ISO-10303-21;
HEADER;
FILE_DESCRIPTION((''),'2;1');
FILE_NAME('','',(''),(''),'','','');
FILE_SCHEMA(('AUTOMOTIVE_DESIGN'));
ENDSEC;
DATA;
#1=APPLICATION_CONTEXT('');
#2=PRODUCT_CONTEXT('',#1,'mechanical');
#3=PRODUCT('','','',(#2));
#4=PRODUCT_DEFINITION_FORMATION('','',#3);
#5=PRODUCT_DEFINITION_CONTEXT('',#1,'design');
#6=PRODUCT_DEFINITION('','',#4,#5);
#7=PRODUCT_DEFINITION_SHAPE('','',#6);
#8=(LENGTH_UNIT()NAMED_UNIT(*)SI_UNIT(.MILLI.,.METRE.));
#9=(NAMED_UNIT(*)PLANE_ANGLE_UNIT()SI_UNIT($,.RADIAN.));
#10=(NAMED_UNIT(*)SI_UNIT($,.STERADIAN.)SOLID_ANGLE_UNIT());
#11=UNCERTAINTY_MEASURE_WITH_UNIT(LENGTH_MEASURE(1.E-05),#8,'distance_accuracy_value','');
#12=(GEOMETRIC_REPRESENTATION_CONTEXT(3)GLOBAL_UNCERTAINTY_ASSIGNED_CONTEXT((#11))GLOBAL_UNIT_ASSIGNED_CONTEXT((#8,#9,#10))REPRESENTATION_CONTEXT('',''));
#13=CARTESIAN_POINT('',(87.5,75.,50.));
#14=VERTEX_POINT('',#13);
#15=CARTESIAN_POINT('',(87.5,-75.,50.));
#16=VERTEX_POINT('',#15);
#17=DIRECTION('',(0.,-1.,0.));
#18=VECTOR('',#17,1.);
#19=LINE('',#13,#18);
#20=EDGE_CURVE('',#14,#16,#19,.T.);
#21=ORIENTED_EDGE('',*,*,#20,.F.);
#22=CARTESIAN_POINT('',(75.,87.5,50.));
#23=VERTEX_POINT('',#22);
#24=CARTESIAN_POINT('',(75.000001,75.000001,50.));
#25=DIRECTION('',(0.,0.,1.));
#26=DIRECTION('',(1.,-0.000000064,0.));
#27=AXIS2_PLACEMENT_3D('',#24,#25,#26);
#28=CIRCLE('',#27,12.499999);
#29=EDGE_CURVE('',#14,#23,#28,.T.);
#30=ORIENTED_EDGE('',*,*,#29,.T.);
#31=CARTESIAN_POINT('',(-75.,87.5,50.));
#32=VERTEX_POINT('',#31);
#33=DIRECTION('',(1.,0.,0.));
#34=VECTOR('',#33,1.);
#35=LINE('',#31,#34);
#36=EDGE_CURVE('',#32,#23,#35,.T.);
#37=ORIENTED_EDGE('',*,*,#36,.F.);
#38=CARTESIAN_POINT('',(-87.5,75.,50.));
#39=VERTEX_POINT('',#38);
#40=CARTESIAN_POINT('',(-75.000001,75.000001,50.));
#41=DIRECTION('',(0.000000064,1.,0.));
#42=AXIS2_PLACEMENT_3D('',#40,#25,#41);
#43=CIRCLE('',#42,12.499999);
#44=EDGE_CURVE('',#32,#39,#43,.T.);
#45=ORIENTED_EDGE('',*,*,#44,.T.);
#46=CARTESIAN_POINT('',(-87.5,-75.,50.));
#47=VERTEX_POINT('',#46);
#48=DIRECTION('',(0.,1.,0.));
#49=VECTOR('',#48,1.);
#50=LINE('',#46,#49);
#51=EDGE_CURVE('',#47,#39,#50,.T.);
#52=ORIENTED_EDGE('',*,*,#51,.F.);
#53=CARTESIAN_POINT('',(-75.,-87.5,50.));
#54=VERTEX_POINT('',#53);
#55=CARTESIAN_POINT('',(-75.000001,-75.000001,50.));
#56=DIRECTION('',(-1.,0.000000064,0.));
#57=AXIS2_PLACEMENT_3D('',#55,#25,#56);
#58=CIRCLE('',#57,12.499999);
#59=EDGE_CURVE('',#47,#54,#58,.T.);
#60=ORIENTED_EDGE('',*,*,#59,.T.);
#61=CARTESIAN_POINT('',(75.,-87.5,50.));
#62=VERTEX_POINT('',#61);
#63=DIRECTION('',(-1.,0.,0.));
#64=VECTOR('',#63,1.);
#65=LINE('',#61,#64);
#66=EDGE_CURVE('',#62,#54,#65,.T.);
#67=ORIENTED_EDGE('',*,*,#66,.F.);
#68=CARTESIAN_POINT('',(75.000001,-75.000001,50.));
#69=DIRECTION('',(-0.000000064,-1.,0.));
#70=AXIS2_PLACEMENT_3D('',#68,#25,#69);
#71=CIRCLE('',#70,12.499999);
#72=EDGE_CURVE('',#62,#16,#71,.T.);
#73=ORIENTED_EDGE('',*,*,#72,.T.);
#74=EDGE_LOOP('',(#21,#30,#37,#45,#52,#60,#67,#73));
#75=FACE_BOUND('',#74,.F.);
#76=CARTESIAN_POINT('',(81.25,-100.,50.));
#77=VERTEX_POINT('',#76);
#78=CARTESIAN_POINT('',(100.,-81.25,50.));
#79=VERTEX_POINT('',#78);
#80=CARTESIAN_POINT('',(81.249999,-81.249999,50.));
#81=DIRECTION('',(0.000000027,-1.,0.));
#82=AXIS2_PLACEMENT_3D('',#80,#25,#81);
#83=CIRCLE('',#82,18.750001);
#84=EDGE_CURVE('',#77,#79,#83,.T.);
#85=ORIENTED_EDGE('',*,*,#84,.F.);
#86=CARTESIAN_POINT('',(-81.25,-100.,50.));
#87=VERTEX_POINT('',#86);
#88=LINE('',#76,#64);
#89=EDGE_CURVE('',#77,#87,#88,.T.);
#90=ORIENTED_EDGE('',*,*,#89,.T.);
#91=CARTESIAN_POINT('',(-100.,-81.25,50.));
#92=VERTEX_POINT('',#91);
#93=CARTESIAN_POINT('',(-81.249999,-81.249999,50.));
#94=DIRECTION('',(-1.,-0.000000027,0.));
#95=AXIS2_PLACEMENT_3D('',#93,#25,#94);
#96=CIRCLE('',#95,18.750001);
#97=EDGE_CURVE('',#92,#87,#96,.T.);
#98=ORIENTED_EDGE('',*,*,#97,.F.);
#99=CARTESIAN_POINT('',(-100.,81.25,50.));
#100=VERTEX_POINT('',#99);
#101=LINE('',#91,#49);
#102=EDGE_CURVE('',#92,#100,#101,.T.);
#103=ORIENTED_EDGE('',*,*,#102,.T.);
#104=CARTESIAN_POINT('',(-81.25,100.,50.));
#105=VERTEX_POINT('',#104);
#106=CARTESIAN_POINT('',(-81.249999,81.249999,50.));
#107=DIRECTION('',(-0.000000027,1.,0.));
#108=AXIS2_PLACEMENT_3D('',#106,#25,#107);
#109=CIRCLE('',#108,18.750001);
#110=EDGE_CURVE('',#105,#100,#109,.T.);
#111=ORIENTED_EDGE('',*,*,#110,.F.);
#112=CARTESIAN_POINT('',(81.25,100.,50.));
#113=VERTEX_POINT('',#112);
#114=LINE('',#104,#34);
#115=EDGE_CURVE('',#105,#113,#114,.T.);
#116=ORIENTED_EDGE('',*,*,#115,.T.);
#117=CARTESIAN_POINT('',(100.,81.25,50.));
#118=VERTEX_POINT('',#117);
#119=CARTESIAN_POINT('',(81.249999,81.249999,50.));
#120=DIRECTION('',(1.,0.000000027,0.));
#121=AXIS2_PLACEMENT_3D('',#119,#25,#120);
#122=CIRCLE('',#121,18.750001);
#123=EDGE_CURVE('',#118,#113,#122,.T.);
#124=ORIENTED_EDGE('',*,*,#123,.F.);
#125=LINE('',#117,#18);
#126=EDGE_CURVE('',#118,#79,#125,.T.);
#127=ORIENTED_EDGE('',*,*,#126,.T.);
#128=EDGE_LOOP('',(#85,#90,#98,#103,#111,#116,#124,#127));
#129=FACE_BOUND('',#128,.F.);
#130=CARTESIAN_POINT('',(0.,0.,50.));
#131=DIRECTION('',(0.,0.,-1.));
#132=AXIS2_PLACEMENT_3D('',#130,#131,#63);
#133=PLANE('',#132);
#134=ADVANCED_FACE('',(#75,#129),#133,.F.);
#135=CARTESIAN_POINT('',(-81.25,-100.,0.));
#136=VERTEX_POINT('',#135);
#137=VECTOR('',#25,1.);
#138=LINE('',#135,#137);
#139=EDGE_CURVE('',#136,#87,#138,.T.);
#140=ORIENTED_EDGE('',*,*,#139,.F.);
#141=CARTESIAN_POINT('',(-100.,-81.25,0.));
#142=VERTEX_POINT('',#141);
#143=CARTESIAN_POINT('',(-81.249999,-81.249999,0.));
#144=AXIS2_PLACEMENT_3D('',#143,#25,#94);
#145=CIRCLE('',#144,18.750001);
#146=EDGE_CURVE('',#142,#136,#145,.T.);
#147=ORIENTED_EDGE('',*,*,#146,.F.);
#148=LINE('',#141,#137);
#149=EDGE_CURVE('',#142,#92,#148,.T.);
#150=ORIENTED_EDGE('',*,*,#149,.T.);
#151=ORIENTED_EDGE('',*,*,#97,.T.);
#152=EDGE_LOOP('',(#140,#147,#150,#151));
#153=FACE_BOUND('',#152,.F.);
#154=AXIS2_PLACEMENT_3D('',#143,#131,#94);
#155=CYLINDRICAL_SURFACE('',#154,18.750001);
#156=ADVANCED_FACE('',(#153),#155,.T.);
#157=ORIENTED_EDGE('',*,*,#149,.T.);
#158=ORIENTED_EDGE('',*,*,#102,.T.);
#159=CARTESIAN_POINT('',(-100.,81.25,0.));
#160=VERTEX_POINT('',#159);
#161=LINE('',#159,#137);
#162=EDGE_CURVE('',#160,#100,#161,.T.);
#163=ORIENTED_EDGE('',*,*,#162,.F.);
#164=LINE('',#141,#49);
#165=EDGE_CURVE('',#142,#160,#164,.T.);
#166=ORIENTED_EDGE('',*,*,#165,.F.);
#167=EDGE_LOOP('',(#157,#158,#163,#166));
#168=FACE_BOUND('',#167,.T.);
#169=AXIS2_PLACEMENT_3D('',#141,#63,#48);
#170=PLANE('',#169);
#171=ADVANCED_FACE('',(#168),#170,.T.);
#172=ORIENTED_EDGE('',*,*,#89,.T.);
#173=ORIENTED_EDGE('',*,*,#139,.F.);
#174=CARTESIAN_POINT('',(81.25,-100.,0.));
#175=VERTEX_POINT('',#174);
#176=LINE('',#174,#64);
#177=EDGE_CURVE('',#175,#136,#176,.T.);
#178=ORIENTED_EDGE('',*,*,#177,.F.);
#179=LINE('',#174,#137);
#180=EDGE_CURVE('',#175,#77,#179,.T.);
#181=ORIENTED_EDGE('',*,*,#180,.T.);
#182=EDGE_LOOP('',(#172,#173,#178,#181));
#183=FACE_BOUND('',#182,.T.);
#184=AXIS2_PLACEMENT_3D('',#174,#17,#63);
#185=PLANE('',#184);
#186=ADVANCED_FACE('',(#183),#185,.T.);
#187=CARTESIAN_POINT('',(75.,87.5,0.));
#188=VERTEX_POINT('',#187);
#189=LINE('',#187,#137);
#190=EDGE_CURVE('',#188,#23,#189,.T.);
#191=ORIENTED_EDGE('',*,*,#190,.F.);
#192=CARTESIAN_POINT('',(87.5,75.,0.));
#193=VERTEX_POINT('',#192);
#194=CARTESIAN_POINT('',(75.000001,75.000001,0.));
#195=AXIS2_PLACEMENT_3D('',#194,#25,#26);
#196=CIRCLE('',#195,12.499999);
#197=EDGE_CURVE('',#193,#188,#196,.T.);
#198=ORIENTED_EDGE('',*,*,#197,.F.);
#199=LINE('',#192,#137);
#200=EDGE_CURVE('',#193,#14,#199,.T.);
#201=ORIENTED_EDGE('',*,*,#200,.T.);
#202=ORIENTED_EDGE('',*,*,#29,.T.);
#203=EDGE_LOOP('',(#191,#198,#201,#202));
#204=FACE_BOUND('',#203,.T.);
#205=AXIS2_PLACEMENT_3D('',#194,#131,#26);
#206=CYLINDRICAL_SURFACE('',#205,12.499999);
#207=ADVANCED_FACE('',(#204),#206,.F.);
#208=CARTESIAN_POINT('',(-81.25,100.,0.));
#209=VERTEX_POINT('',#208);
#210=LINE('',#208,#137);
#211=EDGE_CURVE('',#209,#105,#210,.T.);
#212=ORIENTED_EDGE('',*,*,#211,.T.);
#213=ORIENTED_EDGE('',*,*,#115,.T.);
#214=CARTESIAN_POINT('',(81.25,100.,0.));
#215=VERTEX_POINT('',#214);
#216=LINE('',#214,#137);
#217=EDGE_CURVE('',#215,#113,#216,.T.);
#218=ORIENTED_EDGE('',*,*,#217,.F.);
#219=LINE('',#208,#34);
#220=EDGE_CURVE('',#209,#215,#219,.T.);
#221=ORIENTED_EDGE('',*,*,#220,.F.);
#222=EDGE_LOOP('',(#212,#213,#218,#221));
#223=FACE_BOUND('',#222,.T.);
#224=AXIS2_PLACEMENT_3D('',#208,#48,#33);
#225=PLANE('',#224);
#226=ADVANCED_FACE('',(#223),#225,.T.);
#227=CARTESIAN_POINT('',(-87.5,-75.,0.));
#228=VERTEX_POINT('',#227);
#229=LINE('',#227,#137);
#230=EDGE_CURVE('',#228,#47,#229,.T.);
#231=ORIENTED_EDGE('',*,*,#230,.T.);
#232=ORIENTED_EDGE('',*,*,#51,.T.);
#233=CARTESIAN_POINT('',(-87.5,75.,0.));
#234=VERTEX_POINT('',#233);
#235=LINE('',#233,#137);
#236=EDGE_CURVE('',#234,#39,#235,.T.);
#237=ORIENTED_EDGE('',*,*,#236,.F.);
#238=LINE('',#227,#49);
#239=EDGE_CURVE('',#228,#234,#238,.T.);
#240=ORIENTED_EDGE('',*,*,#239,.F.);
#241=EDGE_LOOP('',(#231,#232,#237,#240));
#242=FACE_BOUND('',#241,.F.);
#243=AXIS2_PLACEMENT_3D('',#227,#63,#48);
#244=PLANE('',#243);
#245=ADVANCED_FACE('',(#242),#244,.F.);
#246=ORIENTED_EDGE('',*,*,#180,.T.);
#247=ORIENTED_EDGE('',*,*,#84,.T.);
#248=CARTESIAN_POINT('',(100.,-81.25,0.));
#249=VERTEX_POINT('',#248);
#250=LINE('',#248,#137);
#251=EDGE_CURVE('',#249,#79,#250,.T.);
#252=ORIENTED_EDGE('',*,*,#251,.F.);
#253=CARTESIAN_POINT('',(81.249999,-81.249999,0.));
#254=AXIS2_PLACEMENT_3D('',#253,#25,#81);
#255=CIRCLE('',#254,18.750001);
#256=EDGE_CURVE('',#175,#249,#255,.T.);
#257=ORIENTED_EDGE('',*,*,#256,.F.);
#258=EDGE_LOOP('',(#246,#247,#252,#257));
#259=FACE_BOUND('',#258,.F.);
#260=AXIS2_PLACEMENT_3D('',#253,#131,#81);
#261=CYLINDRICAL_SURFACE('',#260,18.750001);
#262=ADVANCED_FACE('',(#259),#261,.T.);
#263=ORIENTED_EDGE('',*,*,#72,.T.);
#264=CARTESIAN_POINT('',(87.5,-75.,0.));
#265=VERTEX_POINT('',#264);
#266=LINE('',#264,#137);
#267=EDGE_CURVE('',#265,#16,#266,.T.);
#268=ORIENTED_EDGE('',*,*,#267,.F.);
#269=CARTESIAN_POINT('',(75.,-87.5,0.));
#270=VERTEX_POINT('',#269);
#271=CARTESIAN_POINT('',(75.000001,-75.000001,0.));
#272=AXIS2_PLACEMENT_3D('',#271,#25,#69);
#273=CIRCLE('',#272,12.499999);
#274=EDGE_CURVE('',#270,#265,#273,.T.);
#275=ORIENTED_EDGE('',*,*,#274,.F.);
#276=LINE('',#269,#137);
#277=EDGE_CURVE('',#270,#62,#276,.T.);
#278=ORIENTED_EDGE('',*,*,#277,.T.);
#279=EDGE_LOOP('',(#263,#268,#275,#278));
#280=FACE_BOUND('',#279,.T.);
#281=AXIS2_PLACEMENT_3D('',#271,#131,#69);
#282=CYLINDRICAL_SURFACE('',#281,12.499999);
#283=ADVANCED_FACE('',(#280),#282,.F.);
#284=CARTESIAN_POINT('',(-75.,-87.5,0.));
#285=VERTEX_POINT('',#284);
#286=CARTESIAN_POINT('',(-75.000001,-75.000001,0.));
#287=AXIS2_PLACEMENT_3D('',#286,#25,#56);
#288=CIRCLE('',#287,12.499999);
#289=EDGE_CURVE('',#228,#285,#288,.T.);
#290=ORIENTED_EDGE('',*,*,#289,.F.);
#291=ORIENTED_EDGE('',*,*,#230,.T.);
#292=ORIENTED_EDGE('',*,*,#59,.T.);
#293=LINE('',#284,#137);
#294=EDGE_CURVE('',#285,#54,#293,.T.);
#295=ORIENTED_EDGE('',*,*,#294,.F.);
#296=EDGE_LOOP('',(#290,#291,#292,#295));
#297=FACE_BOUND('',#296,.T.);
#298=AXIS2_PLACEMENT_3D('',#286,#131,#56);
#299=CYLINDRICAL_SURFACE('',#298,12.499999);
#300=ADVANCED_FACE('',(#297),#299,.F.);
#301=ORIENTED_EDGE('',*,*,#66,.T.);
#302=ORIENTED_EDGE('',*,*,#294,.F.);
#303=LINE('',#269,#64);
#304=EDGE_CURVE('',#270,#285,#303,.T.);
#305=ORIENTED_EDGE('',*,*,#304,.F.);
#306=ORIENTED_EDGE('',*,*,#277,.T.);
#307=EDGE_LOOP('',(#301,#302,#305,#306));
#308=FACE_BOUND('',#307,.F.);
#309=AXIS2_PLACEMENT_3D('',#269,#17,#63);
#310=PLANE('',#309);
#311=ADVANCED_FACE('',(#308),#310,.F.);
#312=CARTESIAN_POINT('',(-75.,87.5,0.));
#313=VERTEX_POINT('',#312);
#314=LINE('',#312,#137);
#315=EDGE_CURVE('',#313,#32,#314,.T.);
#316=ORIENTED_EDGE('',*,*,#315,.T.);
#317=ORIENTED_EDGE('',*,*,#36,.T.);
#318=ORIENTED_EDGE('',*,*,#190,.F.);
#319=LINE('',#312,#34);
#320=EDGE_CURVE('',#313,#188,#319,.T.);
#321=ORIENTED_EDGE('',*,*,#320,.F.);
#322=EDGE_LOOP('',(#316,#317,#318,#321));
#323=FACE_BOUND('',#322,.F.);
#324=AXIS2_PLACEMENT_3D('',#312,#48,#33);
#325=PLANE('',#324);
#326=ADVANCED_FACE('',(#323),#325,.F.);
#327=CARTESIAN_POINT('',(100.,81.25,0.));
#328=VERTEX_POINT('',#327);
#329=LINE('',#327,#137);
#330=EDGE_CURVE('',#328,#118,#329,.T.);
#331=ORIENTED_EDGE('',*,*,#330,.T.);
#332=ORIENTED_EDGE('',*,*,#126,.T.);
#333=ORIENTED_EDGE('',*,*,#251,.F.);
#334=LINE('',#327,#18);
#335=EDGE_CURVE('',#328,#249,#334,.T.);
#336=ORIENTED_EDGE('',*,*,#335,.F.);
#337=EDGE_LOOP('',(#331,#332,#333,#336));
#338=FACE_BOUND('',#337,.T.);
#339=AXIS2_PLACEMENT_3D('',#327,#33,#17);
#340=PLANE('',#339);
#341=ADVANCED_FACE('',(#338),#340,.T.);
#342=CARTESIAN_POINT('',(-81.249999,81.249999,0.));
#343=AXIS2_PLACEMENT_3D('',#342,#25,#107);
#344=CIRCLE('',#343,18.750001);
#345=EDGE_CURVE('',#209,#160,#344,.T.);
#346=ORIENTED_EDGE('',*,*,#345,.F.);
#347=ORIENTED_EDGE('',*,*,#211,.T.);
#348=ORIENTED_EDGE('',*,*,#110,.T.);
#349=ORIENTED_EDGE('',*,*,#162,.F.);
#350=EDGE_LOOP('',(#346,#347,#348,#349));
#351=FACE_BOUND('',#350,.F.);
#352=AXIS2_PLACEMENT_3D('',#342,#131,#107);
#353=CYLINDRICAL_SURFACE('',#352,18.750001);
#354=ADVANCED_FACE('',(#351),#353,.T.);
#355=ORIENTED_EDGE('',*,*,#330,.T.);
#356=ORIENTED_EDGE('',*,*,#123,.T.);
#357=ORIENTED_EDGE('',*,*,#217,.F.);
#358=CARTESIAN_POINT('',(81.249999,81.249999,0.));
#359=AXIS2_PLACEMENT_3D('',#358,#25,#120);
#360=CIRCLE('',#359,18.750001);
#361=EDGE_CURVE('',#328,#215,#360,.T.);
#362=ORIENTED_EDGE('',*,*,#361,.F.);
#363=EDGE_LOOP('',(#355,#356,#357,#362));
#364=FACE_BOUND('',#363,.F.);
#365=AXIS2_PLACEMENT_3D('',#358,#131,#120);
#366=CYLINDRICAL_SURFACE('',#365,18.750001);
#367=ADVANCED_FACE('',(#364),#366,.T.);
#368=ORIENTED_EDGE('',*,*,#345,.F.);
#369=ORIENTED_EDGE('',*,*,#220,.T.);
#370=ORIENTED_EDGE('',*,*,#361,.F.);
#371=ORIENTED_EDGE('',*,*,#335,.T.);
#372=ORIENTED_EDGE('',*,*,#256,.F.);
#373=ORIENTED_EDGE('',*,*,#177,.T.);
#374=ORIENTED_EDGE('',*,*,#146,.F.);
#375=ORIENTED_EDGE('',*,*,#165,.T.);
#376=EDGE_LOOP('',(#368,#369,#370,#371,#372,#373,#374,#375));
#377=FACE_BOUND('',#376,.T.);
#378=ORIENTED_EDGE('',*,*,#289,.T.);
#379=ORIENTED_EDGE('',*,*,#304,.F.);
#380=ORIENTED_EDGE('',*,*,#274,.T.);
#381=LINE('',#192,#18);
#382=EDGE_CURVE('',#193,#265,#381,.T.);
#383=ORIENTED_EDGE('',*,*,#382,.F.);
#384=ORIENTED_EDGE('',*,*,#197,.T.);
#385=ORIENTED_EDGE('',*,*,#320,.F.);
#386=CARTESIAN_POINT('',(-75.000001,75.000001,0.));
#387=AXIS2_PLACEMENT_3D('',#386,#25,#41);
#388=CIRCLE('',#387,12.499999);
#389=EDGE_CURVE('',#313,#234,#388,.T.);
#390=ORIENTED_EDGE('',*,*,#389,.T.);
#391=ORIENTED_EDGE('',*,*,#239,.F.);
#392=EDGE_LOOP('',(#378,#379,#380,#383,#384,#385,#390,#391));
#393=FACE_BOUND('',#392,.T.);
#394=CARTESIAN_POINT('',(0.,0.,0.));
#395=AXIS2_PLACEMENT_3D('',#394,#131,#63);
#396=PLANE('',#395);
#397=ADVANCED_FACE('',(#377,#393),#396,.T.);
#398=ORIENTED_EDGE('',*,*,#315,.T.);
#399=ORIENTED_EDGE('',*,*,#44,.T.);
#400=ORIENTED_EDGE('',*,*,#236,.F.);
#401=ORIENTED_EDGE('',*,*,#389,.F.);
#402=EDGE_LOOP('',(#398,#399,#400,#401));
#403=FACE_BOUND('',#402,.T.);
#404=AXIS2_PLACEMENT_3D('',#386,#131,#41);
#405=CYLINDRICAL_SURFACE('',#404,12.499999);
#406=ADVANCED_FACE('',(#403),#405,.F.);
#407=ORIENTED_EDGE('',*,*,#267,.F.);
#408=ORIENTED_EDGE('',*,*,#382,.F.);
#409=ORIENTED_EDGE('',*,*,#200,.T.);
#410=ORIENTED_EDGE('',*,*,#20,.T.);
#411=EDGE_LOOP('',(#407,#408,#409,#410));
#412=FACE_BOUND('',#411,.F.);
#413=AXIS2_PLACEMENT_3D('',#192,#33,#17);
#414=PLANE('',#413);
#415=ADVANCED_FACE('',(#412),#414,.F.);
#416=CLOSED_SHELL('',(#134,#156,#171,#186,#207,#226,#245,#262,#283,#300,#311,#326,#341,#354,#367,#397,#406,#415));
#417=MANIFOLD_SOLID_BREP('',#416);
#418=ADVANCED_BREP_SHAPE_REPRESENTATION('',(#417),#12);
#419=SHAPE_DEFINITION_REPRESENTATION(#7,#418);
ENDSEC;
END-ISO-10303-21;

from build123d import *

# Parameters (mm, degrees)
EXTRUDE_DEPTH = 50


with BuildPart() as part:
    # Sketch → Extrude (new body)
    with BuildSketch(Plane.XY):
        with BuildLine():
            Line((-81.25, 100), (81.25, 100))
            ThreePointArc((100, 81.25), (94.508252, 94.508252), (81.25, 100))
            Line((100, 81.25), (100, -81.25))
            ThreePointArc((81.25, -100), (94.508252, -94.508252), (100, -81.25))
            Line((81.25, -100), (-81.25, -100))
            ThreePointArc((-100, -81.25), (-94.508252, -94.508252), (-81.25, -100))
            Line((-100, -81.25), (-100, 81.25))
            ThreePointArc((-81.25, 100), (-94.508252, 94.508252), (-100, 81.25))
        make_face()
        with BuildLine():
            Line((-75, 87.5), (75, 87.5))
            ThreePointArc((87.5, 75), (83.838835, 83.838835), (75, 87.5))
            Line((87.5, 75), (87.5, -75))
            ThreePointArc((75, -87.5), (83.838835, -83.838835), (87.5, -75))
            Line((75, -87.5), (-75, -87.5))
            ThreePointArc((-87.5, -75), (-83.838835, -83.838835), (-75, -87.5))
            Line((-87.5, -75), (-87.5, 75))
            ThreePointArc((-75, 87.5), (-83.838835, 83.838835), (-87.5, 75))
        make_face(mode=Mode.SUBTRACT)
    extrude(amount=EXTRUDE_DEPTH)


solid = part.part
